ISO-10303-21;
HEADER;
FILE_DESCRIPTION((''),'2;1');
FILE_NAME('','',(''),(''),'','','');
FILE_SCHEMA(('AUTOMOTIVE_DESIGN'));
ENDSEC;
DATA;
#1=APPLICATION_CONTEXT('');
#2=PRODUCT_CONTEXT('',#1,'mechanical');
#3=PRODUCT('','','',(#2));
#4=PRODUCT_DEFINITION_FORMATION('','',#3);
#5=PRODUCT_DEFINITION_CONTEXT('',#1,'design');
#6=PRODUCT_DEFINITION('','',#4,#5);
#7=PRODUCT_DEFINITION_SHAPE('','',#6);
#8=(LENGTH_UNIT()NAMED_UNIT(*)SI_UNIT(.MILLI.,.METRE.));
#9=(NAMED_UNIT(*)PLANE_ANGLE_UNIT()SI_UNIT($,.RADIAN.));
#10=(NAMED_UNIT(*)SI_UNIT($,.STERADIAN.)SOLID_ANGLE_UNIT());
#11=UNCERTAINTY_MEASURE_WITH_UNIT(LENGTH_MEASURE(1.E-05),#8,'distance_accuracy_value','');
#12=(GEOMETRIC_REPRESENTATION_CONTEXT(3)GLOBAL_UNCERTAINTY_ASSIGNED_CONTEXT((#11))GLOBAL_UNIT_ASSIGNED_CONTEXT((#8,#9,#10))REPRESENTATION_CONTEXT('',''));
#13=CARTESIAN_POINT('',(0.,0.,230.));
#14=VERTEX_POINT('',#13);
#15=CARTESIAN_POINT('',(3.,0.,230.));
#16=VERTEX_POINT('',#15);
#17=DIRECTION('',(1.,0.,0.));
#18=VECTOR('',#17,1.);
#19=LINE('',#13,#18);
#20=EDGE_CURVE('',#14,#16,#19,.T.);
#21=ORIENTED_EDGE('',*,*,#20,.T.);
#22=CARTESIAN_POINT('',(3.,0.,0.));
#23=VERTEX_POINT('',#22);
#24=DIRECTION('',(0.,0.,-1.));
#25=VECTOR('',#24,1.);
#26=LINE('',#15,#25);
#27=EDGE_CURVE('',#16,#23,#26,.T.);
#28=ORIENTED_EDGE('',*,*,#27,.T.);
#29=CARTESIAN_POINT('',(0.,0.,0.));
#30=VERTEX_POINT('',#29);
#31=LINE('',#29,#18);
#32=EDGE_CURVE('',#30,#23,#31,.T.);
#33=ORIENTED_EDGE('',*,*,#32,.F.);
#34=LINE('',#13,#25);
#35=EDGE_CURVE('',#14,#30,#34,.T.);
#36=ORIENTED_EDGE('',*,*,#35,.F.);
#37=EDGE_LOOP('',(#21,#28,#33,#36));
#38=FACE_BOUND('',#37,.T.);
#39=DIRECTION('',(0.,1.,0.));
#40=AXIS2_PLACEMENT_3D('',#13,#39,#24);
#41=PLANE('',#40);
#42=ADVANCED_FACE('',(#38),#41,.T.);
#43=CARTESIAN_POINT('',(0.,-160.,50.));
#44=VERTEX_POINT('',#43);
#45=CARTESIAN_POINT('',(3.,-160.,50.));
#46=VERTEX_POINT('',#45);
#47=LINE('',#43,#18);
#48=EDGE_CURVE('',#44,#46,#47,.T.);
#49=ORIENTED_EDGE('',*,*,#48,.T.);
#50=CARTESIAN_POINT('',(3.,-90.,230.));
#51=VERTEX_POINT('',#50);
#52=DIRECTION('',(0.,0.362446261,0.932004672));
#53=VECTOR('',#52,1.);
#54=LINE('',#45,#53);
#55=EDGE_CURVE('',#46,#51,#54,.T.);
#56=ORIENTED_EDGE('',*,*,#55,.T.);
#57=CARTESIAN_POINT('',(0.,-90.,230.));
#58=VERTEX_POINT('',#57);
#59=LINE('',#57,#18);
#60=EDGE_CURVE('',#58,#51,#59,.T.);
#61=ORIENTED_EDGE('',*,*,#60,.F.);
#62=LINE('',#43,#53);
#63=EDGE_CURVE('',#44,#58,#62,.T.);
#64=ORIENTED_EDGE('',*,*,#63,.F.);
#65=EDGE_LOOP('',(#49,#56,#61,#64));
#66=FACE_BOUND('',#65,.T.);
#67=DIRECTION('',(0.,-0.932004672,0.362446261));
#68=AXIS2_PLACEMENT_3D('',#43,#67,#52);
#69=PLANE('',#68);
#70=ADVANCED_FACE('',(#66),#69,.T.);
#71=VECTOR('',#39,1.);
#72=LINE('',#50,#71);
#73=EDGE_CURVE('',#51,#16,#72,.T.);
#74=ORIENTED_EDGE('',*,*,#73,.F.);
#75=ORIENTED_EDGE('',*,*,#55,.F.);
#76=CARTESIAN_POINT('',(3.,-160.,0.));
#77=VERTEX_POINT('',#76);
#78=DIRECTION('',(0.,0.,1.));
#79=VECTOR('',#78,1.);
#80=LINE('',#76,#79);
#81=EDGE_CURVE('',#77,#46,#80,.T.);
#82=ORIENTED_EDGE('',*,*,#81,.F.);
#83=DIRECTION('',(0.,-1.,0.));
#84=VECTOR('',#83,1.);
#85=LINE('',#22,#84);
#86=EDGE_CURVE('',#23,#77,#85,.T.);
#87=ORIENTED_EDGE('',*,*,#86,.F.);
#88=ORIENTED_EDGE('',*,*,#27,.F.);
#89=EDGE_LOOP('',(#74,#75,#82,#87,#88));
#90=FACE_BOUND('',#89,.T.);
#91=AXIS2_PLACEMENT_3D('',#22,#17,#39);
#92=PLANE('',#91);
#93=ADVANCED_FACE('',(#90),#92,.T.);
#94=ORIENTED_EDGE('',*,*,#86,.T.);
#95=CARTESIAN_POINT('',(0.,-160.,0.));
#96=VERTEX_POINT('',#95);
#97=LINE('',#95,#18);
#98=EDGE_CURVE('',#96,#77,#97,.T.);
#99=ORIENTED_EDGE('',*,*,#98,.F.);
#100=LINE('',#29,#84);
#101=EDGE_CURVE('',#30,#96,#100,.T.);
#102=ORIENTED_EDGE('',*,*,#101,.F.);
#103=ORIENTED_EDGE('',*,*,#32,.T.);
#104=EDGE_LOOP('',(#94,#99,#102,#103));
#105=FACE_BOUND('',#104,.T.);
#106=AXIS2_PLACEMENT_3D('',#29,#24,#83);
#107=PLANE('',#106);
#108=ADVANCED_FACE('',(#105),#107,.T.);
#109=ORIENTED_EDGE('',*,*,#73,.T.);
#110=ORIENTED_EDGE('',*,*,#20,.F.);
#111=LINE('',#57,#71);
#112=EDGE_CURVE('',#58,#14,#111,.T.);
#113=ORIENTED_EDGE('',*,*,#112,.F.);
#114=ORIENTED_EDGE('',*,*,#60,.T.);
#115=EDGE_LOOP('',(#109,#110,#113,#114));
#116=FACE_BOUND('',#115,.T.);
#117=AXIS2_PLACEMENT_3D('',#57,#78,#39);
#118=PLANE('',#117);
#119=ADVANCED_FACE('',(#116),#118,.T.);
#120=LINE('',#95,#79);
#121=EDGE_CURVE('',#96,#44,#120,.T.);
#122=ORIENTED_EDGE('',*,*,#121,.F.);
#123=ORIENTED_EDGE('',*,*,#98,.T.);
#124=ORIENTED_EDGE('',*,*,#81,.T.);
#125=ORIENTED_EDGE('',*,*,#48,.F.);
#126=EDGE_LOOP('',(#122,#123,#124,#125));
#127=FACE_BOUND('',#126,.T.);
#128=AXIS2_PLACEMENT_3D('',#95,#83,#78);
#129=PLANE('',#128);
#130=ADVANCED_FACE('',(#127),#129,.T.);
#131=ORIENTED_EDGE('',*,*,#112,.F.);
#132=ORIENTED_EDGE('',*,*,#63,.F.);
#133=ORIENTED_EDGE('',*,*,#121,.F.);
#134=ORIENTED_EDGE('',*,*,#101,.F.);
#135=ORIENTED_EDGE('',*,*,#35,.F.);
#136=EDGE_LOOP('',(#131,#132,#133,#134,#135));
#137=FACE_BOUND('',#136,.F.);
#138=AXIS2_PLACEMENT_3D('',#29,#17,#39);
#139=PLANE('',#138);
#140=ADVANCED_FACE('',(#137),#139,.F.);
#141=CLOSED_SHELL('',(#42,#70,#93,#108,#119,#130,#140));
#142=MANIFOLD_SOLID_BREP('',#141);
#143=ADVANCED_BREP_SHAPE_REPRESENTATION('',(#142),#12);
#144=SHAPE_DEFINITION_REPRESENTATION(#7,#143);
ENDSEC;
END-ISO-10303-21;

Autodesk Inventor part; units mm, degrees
ref_plane "YZ Plane" through (0, 0, 0) normal (1, 0, 0) x (0, 1, 0)
ref_plane "XZ Plane" through (0, 0, 0) normal (0, 1, 0) x (-1, 0, 0)
ref_plane "XY Plane" through (0, 0, 0) normal (0, 0, 1) x (1, 0, 0)
sketch "Sketch1" plane through (0, 0, 0) normal (1, 0, 0) x (0, 1, 0)
  line L0 (0, 0) -> (-160, 0)
  line L1 (-160, 0) -> (-160, 50)
  line L2 (-160, 50) -> (-90, 230)
  line L3 (-90, 230) -> (0, 230)
  line L4 (0, 230) -> (0, 0)
  dimension "d0" = 160
  dimension "d1" = 230
  dimension "d2" = 90
  dimension "d3" = 50
extrude "Extrusion1" add sketch "Sketch1" along normal blind 3
properties part number "AcrylicSide"
